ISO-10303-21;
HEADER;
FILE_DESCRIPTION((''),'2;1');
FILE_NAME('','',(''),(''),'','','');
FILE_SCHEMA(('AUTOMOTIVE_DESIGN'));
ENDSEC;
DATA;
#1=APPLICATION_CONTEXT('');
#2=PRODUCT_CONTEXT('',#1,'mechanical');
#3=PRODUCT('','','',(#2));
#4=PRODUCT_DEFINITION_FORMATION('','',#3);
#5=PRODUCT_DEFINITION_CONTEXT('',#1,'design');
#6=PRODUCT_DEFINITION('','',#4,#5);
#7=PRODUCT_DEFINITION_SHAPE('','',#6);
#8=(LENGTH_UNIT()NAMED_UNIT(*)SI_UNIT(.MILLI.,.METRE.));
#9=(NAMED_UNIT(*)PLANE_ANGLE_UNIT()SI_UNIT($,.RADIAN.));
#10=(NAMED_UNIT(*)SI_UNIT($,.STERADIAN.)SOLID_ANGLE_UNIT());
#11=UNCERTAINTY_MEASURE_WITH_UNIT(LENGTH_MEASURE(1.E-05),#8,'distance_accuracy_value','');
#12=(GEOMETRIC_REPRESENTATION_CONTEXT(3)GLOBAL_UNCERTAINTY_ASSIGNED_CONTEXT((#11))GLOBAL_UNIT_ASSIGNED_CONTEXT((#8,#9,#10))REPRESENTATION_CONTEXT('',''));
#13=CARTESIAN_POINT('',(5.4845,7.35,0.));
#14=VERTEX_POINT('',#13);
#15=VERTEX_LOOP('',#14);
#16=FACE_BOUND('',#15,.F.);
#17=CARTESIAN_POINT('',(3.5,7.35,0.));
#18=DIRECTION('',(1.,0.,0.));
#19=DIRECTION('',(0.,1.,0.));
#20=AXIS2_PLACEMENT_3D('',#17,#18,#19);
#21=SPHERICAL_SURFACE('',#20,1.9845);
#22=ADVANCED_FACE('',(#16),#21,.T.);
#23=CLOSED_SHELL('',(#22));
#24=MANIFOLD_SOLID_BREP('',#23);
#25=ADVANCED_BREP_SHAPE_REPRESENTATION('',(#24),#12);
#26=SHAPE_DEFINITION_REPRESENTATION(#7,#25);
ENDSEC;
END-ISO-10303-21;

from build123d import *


with BuildPart() as part:
    # Skizze1 → Rotation1 (revolve)
    with BuildSketch(Plane.XY):
        with BuildLine():
            Line((5.4845, 7.35), (1.5155, 7.35))
            ThreePointArc((1.5155, 7.35), (3.5, 9.3345), (5.4845, 7.35))
        make_face()
    revolve(axis=Axis((5.4845, 7.35, 0), (-1, 0, 0)))


solid = part.part
